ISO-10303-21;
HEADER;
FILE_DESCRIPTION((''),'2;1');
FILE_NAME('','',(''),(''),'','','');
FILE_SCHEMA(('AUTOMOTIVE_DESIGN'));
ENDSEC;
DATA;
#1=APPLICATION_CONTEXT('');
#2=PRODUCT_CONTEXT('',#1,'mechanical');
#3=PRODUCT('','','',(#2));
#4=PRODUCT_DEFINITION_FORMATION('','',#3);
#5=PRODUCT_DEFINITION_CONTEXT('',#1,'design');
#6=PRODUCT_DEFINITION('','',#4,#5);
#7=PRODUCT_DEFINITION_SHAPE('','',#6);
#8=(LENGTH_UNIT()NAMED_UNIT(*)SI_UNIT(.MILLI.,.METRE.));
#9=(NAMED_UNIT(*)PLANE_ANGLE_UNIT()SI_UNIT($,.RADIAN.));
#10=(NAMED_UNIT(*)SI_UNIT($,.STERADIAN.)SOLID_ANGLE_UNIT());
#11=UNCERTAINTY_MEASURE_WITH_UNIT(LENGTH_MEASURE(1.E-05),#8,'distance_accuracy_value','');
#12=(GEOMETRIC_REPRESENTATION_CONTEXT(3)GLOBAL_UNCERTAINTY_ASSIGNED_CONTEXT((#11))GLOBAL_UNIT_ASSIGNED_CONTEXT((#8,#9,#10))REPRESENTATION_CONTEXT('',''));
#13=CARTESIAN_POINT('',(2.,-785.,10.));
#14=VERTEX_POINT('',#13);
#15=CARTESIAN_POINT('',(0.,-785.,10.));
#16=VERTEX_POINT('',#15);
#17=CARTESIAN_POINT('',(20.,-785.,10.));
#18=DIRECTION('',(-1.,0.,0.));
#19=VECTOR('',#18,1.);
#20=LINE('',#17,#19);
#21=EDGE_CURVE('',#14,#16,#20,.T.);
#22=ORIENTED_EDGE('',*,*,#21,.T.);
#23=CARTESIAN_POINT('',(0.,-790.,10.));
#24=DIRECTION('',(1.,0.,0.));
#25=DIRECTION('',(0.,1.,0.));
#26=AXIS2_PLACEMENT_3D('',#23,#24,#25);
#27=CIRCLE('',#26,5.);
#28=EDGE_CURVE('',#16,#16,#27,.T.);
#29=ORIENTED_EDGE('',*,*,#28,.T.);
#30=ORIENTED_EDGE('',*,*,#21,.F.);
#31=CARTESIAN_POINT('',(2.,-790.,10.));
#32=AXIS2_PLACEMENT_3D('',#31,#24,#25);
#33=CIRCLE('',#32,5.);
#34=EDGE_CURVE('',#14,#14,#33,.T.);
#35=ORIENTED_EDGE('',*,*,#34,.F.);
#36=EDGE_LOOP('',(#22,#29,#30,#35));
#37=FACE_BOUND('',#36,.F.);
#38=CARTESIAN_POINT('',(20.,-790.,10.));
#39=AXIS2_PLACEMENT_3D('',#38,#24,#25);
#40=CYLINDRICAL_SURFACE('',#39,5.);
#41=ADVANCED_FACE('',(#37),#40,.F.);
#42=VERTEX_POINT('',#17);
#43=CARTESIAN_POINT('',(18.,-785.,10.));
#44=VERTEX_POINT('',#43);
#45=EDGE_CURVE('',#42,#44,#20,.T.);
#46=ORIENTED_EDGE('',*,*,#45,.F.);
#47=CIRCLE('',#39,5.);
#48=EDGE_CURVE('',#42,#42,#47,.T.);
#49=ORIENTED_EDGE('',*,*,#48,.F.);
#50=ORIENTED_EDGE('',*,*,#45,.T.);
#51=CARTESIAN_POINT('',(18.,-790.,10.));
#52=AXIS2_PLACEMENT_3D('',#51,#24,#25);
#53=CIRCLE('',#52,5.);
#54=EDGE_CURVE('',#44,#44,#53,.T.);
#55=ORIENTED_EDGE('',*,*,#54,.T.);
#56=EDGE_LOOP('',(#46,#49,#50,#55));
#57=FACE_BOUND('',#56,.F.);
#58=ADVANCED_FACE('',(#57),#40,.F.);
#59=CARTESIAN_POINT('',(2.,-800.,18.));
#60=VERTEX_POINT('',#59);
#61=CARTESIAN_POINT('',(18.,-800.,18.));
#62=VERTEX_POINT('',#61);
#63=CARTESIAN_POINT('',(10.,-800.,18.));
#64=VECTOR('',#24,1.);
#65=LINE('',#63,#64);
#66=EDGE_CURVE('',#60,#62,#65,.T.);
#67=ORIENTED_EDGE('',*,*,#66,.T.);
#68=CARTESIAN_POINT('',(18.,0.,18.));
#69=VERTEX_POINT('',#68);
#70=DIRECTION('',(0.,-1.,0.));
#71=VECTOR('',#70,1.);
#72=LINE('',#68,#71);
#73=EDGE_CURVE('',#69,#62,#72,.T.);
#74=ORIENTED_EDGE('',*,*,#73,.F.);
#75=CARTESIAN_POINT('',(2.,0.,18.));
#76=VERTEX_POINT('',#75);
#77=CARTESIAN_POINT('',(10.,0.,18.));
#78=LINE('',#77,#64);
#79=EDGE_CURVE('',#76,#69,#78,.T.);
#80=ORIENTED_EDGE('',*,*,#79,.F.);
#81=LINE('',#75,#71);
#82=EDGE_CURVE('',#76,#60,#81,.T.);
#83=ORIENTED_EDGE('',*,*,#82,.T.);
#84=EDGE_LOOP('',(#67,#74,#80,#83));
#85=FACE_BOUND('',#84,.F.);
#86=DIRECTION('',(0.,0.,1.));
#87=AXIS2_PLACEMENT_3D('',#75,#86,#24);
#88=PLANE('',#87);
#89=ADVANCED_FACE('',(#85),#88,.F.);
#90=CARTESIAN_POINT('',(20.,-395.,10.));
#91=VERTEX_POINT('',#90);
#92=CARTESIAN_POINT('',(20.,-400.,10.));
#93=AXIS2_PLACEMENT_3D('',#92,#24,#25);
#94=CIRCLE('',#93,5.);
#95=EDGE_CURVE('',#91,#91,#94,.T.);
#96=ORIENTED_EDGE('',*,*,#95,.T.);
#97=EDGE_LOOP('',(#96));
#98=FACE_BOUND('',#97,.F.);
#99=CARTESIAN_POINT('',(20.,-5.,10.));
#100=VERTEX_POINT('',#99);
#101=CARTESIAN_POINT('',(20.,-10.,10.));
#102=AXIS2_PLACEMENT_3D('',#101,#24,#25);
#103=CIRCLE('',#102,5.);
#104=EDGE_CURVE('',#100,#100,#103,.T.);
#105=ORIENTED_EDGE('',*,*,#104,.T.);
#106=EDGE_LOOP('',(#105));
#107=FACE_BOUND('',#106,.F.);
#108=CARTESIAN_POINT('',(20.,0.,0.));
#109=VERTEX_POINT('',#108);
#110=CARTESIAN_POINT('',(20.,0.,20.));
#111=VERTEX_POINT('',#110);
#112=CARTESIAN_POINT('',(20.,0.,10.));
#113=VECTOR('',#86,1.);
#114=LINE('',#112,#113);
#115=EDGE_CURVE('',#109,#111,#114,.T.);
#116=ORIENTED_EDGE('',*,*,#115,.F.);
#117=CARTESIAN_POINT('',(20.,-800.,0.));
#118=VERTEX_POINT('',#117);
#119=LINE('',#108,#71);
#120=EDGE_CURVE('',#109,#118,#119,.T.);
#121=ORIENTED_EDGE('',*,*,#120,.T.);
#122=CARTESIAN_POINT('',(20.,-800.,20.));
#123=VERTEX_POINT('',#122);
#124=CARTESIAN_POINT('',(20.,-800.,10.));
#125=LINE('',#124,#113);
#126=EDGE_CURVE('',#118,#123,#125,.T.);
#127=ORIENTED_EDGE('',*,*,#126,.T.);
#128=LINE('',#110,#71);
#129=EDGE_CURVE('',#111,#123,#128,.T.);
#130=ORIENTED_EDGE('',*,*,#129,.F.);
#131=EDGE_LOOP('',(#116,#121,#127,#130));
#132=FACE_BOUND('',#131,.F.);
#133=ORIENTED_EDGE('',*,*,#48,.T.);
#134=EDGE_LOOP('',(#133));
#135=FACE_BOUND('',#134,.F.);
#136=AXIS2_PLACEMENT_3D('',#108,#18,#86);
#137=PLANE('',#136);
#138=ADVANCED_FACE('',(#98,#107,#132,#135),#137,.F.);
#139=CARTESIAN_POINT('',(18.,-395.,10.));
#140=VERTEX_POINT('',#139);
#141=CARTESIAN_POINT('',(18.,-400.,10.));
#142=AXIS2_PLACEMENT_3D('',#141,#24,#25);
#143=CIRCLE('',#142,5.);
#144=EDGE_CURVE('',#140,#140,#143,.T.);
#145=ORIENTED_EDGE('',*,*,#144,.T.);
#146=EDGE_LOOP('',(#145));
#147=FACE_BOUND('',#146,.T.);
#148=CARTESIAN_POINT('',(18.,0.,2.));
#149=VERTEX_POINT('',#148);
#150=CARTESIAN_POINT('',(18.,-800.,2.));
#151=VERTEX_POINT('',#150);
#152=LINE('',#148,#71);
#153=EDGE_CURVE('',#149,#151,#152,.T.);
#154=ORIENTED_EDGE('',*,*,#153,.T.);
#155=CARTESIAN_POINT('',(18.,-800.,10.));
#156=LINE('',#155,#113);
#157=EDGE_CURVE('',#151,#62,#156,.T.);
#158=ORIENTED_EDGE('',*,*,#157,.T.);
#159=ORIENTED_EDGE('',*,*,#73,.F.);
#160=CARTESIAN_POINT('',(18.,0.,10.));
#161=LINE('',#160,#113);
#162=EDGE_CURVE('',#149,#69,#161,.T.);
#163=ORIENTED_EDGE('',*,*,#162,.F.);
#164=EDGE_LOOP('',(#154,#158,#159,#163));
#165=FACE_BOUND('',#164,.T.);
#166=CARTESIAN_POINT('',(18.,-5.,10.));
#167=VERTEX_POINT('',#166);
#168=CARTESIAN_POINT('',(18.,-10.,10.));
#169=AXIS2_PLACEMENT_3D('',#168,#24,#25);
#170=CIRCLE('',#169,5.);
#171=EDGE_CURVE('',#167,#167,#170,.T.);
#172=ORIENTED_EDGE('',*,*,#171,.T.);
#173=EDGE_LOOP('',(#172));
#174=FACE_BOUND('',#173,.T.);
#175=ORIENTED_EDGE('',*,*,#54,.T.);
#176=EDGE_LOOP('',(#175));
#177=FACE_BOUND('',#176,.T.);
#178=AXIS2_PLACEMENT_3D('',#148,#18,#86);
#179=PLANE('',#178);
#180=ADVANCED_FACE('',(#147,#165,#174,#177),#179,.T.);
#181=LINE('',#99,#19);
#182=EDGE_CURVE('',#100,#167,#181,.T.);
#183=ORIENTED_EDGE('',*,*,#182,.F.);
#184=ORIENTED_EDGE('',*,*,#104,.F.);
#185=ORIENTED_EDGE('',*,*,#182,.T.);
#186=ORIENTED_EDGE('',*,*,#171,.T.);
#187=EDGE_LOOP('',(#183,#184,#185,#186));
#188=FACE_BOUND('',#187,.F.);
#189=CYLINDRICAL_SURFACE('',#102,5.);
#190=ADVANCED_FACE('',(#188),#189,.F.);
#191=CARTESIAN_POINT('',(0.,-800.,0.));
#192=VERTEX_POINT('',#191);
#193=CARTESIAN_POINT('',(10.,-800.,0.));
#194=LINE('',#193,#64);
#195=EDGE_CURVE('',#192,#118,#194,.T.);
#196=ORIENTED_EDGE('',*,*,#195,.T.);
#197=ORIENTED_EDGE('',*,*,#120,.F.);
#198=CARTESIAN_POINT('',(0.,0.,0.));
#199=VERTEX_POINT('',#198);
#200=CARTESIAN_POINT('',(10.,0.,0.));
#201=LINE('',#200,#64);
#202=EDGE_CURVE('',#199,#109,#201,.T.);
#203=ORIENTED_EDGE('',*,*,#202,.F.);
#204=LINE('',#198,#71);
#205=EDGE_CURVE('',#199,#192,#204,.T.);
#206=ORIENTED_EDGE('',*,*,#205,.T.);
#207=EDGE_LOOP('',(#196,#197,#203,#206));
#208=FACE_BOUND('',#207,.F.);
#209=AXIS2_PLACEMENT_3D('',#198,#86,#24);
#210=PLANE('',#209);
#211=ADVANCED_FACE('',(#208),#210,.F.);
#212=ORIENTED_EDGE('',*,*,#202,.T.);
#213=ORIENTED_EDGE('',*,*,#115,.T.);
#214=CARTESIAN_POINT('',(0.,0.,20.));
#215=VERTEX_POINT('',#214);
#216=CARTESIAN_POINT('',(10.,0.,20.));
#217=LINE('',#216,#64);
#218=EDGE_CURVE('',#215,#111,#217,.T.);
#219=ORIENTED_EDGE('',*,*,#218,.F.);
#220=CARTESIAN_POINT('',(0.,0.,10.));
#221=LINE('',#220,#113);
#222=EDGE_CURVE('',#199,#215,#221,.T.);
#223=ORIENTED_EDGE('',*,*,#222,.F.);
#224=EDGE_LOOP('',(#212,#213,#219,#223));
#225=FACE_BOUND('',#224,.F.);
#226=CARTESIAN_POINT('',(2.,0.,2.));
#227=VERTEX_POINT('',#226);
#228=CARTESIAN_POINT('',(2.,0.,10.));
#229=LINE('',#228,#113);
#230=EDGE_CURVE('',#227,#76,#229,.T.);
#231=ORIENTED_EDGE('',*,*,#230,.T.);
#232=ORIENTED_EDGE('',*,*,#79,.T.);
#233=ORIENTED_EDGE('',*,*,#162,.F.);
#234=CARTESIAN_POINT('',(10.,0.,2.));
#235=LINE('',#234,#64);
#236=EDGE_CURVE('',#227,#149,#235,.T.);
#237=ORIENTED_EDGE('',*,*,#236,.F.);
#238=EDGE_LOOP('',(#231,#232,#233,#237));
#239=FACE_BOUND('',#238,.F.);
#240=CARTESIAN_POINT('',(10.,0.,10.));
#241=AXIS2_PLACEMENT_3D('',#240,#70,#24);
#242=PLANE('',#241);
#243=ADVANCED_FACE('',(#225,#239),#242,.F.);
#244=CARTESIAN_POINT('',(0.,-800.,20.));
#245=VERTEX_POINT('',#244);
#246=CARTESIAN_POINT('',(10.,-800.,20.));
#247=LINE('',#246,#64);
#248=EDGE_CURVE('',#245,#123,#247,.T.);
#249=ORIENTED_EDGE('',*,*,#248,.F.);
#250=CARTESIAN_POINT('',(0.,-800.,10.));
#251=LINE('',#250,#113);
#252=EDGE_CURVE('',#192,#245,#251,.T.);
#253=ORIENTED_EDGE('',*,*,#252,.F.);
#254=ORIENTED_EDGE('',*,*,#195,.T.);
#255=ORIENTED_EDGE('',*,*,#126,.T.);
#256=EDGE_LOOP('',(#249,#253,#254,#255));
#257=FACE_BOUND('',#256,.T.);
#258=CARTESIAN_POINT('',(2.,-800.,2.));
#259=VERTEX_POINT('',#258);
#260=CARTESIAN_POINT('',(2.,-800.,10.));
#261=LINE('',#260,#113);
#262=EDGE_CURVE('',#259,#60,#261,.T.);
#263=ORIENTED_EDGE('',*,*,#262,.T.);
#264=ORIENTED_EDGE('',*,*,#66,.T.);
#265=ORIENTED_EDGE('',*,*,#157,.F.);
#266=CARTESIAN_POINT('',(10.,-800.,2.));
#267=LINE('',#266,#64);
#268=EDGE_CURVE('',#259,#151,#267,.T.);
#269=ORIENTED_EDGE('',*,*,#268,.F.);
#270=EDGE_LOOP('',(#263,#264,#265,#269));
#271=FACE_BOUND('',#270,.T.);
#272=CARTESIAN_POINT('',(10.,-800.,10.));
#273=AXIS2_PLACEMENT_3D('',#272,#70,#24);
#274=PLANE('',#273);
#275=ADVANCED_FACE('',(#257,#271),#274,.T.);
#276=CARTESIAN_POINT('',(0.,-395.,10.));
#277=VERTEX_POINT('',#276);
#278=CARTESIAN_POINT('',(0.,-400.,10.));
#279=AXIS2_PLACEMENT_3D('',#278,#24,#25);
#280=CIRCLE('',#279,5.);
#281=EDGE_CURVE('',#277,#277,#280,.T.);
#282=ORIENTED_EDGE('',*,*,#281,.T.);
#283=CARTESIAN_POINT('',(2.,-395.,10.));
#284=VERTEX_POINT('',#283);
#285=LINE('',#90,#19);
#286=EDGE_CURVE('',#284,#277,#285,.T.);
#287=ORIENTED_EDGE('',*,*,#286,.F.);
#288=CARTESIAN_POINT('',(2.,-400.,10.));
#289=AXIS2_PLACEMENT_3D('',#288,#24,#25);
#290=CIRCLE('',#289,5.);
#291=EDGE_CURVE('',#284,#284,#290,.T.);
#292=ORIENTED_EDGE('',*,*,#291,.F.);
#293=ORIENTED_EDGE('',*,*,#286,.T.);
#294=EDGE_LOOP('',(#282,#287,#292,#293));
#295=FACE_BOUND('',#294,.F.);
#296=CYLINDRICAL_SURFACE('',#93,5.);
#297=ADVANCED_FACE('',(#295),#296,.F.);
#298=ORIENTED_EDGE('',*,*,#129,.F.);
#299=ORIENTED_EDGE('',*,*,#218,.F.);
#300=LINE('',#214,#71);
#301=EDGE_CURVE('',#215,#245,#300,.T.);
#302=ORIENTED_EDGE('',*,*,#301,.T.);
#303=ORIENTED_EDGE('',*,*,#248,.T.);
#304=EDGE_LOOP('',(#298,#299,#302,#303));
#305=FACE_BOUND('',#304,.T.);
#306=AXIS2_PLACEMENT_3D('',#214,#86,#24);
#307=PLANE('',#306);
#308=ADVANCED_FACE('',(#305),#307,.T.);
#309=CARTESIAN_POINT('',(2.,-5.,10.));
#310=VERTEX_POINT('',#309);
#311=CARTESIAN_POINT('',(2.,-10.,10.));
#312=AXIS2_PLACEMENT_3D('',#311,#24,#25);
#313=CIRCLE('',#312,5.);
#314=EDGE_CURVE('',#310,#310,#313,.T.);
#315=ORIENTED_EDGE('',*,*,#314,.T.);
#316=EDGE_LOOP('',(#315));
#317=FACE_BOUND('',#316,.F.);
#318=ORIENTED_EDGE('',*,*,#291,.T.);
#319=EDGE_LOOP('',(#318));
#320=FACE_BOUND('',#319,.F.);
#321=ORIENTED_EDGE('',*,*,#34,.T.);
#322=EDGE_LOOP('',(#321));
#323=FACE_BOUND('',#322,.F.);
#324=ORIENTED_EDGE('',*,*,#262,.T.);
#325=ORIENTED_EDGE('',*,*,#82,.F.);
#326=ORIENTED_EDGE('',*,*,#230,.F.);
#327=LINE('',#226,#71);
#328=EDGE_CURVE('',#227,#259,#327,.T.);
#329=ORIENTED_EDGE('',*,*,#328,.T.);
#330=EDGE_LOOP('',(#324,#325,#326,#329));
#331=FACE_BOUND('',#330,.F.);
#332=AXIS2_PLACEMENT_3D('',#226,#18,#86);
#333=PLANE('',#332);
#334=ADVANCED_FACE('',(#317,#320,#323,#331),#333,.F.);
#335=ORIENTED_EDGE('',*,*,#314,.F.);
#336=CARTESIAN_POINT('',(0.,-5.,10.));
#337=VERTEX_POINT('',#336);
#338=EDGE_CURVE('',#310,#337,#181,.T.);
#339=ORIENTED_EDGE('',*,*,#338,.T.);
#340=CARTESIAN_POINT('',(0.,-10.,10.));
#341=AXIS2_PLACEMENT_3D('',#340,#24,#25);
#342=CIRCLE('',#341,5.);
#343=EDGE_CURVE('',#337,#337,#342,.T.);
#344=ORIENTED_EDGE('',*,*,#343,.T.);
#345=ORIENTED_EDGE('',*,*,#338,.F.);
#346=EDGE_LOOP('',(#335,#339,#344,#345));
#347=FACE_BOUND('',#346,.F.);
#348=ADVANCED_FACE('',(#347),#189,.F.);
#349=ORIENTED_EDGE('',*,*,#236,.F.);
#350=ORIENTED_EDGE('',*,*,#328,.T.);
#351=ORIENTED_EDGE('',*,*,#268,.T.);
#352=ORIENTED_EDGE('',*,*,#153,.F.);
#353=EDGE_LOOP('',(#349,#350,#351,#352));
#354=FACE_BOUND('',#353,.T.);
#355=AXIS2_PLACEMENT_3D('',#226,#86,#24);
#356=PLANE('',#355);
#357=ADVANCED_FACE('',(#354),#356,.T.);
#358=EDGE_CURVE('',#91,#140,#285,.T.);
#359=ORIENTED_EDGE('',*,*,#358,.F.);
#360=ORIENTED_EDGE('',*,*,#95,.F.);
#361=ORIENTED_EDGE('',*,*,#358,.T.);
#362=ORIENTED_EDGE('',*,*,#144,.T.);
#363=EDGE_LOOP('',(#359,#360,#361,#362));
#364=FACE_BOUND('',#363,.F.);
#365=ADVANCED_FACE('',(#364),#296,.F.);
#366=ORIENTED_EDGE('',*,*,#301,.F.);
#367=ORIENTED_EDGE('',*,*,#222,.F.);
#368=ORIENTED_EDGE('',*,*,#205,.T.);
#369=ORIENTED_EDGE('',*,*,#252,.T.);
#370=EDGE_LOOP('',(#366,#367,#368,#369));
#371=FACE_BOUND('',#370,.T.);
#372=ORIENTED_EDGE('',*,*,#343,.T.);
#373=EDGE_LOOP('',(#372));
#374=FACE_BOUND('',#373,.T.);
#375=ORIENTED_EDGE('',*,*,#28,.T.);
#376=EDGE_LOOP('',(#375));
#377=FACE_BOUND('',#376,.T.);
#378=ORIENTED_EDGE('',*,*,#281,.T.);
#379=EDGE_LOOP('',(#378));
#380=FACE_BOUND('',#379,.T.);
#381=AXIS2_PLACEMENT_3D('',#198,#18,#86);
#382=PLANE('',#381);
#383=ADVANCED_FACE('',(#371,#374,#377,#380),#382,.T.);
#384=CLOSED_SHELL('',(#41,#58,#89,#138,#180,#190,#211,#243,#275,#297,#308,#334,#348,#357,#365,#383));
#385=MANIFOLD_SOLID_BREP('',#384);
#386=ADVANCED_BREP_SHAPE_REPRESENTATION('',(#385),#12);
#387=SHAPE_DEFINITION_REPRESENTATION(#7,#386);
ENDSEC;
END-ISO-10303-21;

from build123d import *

# Parameters (mm, degrees)
F0_W     = 20
F0_H     = 20
F0_W_2   = 16
F0_H_2   = 16
F1_DEPTH = 800
F2_R     = 5
F3_DEPTH = 20.001


with BuildPart() as f1:
    # F0 (on Front) → F1 (new body)
    with BuildSketch(Plane.XZ):
        with Locations((10, 10)):
            Rectangle(F0_W, F0_H)
        with Locations((10, 10)):
            Rectangle(F0_W_2, F0_H_2, mode=Mode.SUBTRACT)
    extrude(amount=F1_DEPTH)

    # F2 (on face) → F3 (cut, through all)
    with BuildSketch(Plane.YZ.offset(20)):
        with Locations((-790, 10)):
            Circle(F2_R)
        with Locations((-400, 10)):
            Circle(F2_R)
        with Locations((-10, 10)):
            Circle(F2_R)
    extrude(amount=-F3_DEPTH, mode=Mode.SUBTRACT)


solid = f1.part
